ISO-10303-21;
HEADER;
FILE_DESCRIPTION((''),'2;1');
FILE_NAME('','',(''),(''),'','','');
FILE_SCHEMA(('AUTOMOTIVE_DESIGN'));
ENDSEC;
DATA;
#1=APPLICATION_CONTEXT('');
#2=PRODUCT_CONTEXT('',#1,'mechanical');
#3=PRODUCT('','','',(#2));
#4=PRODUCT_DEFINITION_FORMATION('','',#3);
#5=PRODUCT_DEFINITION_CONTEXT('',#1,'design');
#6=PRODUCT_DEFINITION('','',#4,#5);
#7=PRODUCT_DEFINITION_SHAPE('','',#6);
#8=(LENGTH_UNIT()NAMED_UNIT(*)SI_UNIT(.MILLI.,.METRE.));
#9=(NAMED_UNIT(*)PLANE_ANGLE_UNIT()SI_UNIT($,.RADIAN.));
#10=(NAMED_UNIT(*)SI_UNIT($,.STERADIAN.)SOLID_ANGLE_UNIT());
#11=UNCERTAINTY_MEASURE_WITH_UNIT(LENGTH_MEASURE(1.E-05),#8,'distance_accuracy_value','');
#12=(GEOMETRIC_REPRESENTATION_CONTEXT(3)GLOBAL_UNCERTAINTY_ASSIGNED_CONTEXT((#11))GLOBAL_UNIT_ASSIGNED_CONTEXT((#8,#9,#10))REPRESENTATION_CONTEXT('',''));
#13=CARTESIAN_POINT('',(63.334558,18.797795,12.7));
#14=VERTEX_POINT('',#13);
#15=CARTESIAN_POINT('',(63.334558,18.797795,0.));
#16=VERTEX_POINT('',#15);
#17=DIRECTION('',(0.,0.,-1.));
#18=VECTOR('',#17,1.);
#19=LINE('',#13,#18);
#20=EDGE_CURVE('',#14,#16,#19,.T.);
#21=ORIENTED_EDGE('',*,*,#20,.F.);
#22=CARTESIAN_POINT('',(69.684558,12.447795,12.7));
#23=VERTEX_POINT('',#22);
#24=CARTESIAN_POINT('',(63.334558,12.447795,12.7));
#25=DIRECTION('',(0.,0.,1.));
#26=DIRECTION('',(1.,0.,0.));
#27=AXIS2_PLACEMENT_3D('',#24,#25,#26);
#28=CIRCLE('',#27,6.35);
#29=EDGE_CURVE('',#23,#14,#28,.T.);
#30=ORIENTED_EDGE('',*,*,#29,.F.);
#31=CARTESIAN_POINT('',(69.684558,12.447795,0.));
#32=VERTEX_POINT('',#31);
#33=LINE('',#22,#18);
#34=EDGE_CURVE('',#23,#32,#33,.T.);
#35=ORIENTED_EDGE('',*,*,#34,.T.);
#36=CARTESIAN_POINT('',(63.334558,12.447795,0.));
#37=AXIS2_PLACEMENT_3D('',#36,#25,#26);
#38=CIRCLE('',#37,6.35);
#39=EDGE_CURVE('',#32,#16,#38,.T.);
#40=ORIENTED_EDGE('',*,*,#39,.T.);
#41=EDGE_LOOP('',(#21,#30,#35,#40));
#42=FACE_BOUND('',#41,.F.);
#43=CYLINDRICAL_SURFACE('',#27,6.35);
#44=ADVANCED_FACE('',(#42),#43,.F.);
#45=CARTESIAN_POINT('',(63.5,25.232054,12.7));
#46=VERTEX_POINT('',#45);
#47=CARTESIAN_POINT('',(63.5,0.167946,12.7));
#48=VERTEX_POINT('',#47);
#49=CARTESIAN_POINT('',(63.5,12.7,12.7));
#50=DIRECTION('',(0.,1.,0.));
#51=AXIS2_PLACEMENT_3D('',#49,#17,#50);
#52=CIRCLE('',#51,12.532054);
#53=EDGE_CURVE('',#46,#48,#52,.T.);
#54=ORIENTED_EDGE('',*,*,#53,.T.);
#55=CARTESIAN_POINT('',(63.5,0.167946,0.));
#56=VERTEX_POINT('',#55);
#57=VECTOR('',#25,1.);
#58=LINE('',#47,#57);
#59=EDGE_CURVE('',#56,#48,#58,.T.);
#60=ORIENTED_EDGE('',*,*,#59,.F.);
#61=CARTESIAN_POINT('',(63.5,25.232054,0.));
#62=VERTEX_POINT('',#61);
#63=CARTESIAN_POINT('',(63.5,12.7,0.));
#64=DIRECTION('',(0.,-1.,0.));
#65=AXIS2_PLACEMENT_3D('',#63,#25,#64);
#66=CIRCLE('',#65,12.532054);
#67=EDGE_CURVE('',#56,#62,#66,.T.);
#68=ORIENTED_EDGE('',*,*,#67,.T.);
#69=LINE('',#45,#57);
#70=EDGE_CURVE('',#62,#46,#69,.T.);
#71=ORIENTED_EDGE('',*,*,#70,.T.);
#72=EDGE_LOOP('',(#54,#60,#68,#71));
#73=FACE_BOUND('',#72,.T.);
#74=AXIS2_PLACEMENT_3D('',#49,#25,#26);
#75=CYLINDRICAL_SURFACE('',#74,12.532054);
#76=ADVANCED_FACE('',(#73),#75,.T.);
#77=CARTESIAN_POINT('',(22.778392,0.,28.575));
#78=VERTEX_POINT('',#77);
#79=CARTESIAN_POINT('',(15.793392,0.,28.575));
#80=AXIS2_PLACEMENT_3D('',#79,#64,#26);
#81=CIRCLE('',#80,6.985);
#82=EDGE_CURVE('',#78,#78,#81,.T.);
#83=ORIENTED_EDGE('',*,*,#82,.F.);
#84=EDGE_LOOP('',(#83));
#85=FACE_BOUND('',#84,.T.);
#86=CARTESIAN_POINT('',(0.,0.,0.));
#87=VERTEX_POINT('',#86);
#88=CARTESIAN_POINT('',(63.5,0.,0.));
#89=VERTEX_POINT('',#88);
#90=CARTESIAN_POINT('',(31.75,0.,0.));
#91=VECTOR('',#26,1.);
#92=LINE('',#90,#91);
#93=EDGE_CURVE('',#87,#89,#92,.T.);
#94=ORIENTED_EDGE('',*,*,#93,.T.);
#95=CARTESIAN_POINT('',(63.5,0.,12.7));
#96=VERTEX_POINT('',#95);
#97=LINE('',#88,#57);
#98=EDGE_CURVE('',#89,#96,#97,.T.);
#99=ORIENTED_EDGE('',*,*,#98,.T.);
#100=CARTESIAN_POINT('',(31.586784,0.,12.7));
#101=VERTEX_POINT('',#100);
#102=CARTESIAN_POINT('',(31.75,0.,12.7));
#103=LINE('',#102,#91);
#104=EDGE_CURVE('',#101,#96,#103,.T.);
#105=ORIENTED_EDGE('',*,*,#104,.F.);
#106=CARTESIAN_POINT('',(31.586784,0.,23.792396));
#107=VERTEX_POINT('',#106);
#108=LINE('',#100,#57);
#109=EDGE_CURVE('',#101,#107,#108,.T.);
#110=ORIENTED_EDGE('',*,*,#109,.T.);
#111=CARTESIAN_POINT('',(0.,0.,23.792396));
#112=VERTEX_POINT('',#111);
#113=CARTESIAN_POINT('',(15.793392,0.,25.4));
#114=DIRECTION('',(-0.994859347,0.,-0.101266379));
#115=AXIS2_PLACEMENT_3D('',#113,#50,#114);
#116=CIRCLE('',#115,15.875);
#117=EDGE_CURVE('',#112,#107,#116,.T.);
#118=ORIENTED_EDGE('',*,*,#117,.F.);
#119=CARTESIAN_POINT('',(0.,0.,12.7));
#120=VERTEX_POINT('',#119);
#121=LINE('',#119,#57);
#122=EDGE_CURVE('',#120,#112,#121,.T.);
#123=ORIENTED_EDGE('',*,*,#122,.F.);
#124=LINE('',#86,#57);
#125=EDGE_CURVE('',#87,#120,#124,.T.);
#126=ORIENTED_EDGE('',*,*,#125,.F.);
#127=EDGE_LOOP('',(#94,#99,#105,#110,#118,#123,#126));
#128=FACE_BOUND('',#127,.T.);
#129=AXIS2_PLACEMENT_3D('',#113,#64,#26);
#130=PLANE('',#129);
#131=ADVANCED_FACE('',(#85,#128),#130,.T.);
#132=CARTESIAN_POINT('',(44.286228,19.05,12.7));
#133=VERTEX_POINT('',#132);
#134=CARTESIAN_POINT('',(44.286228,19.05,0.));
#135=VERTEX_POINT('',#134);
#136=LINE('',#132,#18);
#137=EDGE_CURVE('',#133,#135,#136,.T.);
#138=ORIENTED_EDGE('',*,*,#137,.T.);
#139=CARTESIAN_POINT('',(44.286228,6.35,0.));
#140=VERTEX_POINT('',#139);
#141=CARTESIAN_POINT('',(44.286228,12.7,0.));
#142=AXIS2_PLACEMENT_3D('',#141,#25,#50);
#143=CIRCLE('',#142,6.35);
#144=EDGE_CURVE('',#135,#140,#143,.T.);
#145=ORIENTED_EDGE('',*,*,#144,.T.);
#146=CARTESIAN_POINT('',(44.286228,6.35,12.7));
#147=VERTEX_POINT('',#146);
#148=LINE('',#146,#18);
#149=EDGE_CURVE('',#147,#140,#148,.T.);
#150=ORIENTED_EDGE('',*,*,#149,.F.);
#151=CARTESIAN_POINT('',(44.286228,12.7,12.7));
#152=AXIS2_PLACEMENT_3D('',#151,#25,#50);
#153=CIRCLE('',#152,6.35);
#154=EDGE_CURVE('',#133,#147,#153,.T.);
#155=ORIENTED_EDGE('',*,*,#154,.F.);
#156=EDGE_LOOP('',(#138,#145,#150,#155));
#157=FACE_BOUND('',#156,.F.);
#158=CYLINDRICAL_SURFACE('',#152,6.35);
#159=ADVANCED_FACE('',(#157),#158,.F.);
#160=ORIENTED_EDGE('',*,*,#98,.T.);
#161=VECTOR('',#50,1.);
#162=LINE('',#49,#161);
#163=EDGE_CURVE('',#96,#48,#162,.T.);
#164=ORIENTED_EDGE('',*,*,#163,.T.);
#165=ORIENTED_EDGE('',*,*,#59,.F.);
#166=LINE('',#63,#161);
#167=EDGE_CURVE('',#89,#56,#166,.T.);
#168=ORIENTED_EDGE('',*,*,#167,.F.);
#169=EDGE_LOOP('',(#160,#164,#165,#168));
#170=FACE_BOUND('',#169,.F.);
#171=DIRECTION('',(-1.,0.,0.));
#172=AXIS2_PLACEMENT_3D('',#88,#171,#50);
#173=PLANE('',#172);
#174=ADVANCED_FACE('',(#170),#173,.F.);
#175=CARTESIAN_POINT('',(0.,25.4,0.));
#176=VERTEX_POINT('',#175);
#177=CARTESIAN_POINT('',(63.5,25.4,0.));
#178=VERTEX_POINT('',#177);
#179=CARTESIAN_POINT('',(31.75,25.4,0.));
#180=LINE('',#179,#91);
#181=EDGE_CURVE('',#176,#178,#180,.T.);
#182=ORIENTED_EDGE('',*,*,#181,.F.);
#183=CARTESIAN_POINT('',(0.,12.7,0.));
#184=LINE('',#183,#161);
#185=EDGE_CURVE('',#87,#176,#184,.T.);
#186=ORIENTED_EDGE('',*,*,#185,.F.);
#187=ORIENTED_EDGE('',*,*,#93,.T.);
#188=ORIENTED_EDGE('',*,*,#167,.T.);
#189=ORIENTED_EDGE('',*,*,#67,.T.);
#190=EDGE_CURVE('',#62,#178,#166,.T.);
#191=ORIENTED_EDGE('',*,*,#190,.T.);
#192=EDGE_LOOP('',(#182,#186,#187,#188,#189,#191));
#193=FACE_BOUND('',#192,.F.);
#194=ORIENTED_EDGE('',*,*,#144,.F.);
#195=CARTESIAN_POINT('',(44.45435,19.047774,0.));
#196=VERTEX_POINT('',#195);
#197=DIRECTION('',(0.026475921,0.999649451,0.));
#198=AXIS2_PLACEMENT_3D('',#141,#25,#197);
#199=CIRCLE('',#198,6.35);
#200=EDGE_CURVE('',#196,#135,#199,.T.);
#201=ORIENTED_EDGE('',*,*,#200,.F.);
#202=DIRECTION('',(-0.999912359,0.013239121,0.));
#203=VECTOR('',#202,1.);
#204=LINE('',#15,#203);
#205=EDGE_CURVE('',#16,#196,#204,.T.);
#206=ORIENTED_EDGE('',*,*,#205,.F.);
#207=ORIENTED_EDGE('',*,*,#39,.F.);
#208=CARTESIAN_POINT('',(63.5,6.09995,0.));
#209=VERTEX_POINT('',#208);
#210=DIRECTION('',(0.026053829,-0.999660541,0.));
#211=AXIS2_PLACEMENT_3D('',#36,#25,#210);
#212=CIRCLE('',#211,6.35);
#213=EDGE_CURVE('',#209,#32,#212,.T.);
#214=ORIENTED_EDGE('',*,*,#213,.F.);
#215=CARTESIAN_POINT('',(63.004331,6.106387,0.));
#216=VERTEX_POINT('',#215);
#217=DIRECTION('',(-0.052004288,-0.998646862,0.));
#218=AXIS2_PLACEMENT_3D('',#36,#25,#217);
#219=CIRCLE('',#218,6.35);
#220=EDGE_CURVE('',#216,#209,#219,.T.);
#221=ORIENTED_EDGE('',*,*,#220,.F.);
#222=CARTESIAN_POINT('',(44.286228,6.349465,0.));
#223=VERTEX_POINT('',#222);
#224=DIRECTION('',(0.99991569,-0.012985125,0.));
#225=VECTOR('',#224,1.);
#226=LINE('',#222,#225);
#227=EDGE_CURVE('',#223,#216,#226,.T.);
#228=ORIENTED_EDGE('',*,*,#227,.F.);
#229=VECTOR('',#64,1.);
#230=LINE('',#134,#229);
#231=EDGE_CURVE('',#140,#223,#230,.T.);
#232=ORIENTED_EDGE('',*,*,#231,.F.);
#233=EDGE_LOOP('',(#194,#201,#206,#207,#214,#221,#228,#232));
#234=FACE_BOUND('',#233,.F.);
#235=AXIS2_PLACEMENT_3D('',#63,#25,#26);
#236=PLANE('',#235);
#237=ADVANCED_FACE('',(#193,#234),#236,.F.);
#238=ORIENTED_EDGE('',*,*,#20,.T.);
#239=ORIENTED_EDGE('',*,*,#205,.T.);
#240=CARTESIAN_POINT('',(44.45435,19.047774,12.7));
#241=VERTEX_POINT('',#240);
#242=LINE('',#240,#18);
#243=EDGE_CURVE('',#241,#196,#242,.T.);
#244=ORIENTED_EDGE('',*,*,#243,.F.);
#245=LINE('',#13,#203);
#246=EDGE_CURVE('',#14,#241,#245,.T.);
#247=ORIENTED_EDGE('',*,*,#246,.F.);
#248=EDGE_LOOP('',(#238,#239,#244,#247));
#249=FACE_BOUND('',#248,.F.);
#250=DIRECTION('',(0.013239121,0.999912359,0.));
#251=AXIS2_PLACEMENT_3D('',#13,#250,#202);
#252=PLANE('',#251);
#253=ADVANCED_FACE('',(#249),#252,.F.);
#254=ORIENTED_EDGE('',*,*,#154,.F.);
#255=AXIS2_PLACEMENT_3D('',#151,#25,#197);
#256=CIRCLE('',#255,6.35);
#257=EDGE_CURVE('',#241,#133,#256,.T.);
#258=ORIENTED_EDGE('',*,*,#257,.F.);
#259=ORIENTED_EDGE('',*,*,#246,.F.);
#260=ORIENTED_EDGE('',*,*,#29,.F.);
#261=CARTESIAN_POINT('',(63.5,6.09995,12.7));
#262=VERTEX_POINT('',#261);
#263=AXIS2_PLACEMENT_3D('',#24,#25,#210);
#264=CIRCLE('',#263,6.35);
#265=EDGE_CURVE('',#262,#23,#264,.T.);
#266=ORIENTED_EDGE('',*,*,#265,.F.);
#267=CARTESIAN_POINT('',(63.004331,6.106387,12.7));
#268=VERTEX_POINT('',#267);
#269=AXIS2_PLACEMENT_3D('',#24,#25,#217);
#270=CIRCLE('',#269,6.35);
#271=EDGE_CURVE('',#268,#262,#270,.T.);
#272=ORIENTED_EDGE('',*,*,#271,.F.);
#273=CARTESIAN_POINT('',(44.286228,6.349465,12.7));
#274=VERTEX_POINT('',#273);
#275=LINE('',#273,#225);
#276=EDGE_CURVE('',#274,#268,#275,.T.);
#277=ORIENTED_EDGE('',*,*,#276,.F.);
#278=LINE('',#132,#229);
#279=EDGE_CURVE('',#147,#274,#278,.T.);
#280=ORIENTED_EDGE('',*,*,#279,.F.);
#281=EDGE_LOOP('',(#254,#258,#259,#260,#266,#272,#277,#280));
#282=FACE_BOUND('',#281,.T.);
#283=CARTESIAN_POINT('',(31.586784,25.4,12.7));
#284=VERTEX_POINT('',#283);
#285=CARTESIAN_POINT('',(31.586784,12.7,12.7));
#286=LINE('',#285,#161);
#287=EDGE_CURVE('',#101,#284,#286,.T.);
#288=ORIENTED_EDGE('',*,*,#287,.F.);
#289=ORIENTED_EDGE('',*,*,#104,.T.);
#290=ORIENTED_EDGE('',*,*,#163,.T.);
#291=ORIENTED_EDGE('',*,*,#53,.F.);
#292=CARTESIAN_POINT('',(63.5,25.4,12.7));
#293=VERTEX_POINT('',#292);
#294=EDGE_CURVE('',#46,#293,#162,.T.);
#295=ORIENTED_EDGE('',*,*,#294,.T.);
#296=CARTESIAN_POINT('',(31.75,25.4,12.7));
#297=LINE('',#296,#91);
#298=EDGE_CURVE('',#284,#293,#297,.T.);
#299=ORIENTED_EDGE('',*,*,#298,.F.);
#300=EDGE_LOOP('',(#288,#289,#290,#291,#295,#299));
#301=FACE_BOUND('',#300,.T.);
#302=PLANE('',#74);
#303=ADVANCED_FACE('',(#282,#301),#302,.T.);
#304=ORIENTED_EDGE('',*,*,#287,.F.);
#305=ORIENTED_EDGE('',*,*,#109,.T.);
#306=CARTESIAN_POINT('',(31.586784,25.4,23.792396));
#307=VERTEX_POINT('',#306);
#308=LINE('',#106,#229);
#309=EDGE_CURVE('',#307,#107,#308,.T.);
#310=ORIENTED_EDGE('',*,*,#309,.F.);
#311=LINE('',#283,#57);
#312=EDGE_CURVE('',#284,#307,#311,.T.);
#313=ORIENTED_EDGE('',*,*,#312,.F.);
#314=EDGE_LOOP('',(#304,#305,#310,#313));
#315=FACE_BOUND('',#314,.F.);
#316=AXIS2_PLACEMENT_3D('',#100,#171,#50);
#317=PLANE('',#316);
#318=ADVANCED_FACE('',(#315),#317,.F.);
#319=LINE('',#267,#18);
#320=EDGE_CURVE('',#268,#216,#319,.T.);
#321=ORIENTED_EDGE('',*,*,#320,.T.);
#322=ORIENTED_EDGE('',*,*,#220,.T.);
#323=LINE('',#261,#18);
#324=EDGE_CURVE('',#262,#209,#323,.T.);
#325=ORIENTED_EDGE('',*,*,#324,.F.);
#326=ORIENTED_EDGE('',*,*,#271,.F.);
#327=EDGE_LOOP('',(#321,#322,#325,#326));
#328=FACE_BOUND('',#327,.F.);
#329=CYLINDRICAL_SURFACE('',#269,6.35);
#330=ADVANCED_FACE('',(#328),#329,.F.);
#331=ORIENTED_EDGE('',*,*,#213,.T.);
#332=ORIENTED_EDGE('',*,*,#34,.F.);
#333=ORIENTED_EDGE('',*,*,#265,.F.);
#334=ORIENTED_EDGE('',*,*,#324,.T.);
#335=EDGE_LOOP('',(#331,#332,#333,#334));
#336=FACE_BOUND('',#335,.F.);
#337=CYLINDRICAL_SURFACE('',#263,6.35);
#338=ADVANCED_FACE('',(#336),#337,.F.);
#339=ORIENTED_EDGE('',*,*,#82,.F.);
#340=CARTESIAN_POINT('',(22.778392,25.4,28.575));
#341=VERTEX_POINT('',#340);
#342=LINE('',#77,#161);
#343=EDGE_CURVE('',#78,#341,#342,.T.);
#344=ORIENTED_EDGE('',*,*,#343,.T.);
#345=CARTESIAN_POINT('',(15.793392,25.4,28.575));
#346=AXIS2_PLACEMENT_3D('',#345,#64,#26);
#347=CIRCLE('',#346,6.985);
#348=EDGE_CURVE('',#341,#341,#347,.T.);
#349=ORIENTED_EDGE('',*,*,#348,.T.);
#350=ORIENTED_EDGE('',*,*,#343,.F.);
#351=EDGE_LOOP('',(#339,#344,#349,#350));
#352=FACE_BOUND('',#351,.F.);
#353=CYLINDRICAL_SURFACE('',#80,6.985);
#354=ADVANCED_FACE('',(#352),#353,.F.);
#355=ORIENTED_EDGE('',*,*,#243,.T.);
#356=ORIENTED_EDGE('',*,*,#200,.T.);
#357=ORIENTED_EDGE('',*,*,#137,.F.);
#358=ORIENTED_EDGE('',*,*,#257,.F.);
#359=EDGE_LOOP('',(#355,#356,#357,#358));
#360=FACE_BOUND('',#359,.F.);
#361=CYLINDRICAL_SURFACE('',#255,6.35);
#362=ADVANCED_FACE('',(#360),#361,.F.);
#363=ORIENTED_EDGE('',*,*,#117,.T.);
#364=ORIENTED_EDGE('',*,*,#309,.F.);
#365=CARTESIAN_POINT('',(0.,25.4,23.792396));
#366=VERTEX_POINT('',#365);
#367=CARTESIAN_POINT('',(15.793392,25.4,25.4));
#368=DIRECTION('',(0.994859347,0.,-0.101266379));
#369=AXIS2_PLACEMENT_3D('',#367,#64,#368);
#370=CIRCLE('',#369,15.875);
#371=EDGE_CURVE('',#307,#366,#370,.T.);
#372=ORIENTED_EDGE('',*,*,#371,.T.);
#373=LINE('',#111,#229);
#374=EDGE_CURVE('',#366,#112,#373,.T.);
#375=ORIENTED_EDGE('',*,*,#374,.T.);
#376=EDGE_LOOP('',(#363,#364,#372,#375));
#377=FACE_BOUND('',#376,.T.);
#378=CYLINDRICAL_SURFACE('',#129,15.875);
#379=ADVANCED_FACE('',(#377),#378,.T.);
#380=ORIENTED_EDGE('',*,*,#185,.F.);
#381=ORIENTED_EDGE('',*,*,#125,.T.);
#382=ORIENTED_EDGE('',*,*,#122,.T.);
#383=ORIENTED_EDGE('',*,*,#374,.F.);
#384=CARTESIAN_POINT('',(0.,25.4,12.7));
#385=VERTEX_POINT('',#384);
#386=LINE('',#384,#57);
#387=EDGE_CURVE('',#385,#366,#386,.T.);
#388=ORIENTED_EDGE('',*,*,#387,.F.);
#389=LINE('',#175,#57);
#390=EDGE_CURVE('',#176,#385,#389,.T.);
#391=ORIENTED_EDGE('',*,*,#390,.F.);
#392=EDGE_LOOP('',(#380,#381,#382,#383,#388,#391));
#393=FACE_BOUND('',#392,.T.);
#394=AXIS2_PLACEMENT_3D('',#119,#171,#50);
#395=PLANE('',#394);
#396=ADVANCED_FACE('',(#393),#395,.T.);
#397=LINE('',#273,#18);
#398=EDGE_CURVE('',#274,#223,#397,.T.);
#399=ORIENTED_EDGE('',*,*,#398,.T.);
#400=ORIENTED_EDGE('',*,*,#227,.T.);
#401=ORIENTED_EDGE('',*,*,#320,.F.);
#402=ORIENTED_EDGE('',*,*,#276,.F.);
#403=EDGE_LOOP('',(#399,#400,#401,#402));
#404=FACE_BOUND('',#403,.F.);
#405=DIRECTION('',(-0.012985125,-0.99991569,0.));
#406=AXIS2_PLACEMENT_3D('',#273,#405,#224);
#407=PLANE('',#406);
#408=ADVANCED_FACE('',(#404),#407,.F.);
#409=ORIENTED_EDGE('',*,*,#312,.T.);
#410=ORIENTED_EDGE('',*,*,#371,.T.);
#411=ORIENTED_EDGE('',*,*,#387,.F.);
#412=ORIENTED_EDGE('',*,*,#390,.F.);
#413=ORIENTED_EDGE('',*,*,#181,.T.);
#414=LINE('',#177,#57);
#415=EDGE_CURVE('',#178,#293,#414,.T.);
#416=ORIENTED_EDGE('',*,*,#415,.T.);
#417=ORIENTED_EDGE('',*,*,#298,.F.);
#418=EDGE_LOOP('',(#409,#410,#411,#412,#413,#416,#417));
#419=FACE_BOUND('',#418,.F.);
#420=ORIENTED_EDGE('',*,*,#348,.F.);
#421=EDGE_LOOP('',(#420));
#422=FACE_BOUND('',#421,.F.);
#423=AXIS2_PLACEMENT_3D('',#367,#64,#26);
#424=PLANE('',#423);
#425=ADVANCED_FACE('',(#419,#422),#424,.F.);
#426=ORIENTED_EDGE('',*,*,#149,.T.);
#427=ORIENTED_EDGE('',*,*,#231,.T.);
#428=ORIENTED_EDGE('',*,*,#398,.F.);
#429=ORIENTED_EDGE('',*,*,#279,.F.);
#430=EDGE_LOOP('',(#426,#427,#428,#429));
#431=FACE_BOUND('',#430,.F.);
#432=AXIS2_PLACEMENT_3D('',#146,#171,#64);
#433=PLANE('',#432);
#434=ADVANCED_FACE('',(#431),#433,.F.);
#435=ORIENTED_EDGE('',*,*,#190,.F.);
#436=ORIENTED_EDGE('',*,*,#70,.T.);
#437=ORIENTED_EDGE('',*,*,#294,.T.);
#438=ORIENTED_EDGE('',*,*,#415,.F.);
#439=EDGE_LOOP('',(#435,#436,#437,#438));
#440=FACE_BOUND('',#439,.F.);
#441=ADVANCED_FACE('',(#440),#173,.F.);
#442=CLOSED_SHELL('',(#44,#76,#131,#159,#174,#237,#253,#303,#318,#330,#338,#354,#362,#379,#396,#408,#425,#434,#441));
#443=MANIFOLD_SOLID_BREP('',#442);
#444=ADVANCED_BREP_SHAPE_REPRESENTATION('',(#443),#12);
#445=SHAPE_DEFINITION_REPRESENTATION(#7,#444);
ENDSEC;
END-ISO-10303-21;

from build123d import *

# Parameters (mm, degrees)
F0_W      = 63.5
F0_H      = 25.4
F1_DEPTH  = 12.7
F2_R      = 12.5320537087
F3_DEPTH  = 12.7
F5_DEPTH  = 12.7
F6_W      = 31.5867842689
F6_H      = 25.4
F7_DEPTH  = 12.7
F8_R      = 15.875
F9_DEPTH  = 25.4
F10_R     = 6.985
F11_DEPTH = 25.4


with BuildPart() as f1:
    # F0 (on Top) → F1 (new body)
    with BuildSketch(Plane.XY):
        with Locations((31.75, 12.7)):
            Rectangle(F0_W, F0_H)
    extrude(amount=F1_DEPTH)

    # F2 (on face) → F3 (join)
    with BuildSketch(Plane.XY.offset(12.7)):
        with Locations((63.5, 12.7)):
            Circle(F2_R)
    extrude(amount=-F3_DEPTH)

    # F4 (on face) → F5 (cut)
    with BuildSketch(Plane.XY.offset(12.7)):
        with BuildLine():
            ThreePointArc((63.5, 6.0999503105), (67.882802657, 8.0165452354), (69.6845581875, 12.4477947483))
            ThreePointArc((69.6845581875, 12.4477947483), (67.824686248, 16.9379228088), (63.3345581875, 18.7977947483))
            Line((63.3345581875, 18.7977947483), (63.5, 6.0999503105))
        make_face()
        with BuildLine():
            Line((63.5, 6.0999503105), (63.3345581875, 18.7977947483))
            ThreePointArc((63.3345581875, 18.7977947483), (56.9867066583, 12.6129642476), (63.0043309564, 6.1063871778))
            Line((63.0043309564, 6.1063871778), (63.5, 6.0999503105))
        make_face()
        with BuildLine():
            ThreePointArc((63.0043309564, 6.1063871778), (56.9867066583, 12.6129642476), (63.3345581875, 18.7977947483))
            Line((63.3345581875, 18.7977947483), (44.4543498473, 19.0477740161))
            ThreePointArc((44.4543498473, 19.0477740161), (48.8354076377, 17.1302891933), (50.6362277486, 12.7))
            ThreePointArc((50.6362277486, 12.7), (48.7763558091, 8.2098719395), (44.2862277486, 6.35))
            Line((44.2862277486, 6.35), (44.2862277486, 6.3494645845))
            Line((44.2862277486, 6.3494645845), (63.0043309564, 6.1063871778))
        make_face()
        with BuildLine():
            ThreePointArc((63.0043309564, 6.1063871778), (63.2521026428, 6.0983301187), (63.5, 6.0999503105))
            Line((63.5, 6.0999503105), (63.0043309564, 6.1063871778))
        make_face()
        with BuildLine():
            Line((44.2862277486, 19.05), (44.4543498473, 19.0477740161))
            ThreePointArc((44.4543498473, 19.0477740161), (44.3702961658, 19.0494434796), (44.2862277486, 19.05))
        make_face()
        with BuildLine():
            ThreePointArc((50.6362277486, 12.7), (48.8354076377, 17.1302891933), (44.4543498473, 19.0477740161))
            Line((44.4543498473, 19.0477740161), (44.2862277486, 19.05))
            Line((44.2862277486, 19.05), (44.2862277486, 6.35))
            ThreePointArc((44.2862277486, 6.35), (48.7763558091, 8.2098719395), (50.6362277486, 12.7))
        make_face()
        with BuildLine():
            Line((44.2862277486, 6.35), (44.2862277486, 19.05))
            ThreePointArc((44.2862277486, 19.05), (37.9362277486, 12.7), (44.2862277486, 6.35))
        make_face()
    extrude(amount=-F5_DEPTH, mode=Mode.SUBTRACT)

    # F6 (on face) → F7 (join)
    with BuildSketch(Plane.XY.offset(12.7)):
        with Locations((15.7933921345, 12.7)):
            Rectangle(F6_W, F6_H)
    extrude(amount=F7_DEPTH)

    # F8 (on face) → F9 (join)
    with BuildSketch(Plane.XZ):
        with Locations((15.7933921345, 25.4)):
            Circle(F8_R)
    extrude(amount=-F9_DEPTH)

    # F10 (on face) → F11 (cut)
    with BuildSketch(Plane.XZ):
        with Locations((15.7933921345, 28.575)):
            Circle(F10_R)
    extrude(amount=-F11_DEPTH, mode=Mode.SUBTRACT)


solid = f1.part
